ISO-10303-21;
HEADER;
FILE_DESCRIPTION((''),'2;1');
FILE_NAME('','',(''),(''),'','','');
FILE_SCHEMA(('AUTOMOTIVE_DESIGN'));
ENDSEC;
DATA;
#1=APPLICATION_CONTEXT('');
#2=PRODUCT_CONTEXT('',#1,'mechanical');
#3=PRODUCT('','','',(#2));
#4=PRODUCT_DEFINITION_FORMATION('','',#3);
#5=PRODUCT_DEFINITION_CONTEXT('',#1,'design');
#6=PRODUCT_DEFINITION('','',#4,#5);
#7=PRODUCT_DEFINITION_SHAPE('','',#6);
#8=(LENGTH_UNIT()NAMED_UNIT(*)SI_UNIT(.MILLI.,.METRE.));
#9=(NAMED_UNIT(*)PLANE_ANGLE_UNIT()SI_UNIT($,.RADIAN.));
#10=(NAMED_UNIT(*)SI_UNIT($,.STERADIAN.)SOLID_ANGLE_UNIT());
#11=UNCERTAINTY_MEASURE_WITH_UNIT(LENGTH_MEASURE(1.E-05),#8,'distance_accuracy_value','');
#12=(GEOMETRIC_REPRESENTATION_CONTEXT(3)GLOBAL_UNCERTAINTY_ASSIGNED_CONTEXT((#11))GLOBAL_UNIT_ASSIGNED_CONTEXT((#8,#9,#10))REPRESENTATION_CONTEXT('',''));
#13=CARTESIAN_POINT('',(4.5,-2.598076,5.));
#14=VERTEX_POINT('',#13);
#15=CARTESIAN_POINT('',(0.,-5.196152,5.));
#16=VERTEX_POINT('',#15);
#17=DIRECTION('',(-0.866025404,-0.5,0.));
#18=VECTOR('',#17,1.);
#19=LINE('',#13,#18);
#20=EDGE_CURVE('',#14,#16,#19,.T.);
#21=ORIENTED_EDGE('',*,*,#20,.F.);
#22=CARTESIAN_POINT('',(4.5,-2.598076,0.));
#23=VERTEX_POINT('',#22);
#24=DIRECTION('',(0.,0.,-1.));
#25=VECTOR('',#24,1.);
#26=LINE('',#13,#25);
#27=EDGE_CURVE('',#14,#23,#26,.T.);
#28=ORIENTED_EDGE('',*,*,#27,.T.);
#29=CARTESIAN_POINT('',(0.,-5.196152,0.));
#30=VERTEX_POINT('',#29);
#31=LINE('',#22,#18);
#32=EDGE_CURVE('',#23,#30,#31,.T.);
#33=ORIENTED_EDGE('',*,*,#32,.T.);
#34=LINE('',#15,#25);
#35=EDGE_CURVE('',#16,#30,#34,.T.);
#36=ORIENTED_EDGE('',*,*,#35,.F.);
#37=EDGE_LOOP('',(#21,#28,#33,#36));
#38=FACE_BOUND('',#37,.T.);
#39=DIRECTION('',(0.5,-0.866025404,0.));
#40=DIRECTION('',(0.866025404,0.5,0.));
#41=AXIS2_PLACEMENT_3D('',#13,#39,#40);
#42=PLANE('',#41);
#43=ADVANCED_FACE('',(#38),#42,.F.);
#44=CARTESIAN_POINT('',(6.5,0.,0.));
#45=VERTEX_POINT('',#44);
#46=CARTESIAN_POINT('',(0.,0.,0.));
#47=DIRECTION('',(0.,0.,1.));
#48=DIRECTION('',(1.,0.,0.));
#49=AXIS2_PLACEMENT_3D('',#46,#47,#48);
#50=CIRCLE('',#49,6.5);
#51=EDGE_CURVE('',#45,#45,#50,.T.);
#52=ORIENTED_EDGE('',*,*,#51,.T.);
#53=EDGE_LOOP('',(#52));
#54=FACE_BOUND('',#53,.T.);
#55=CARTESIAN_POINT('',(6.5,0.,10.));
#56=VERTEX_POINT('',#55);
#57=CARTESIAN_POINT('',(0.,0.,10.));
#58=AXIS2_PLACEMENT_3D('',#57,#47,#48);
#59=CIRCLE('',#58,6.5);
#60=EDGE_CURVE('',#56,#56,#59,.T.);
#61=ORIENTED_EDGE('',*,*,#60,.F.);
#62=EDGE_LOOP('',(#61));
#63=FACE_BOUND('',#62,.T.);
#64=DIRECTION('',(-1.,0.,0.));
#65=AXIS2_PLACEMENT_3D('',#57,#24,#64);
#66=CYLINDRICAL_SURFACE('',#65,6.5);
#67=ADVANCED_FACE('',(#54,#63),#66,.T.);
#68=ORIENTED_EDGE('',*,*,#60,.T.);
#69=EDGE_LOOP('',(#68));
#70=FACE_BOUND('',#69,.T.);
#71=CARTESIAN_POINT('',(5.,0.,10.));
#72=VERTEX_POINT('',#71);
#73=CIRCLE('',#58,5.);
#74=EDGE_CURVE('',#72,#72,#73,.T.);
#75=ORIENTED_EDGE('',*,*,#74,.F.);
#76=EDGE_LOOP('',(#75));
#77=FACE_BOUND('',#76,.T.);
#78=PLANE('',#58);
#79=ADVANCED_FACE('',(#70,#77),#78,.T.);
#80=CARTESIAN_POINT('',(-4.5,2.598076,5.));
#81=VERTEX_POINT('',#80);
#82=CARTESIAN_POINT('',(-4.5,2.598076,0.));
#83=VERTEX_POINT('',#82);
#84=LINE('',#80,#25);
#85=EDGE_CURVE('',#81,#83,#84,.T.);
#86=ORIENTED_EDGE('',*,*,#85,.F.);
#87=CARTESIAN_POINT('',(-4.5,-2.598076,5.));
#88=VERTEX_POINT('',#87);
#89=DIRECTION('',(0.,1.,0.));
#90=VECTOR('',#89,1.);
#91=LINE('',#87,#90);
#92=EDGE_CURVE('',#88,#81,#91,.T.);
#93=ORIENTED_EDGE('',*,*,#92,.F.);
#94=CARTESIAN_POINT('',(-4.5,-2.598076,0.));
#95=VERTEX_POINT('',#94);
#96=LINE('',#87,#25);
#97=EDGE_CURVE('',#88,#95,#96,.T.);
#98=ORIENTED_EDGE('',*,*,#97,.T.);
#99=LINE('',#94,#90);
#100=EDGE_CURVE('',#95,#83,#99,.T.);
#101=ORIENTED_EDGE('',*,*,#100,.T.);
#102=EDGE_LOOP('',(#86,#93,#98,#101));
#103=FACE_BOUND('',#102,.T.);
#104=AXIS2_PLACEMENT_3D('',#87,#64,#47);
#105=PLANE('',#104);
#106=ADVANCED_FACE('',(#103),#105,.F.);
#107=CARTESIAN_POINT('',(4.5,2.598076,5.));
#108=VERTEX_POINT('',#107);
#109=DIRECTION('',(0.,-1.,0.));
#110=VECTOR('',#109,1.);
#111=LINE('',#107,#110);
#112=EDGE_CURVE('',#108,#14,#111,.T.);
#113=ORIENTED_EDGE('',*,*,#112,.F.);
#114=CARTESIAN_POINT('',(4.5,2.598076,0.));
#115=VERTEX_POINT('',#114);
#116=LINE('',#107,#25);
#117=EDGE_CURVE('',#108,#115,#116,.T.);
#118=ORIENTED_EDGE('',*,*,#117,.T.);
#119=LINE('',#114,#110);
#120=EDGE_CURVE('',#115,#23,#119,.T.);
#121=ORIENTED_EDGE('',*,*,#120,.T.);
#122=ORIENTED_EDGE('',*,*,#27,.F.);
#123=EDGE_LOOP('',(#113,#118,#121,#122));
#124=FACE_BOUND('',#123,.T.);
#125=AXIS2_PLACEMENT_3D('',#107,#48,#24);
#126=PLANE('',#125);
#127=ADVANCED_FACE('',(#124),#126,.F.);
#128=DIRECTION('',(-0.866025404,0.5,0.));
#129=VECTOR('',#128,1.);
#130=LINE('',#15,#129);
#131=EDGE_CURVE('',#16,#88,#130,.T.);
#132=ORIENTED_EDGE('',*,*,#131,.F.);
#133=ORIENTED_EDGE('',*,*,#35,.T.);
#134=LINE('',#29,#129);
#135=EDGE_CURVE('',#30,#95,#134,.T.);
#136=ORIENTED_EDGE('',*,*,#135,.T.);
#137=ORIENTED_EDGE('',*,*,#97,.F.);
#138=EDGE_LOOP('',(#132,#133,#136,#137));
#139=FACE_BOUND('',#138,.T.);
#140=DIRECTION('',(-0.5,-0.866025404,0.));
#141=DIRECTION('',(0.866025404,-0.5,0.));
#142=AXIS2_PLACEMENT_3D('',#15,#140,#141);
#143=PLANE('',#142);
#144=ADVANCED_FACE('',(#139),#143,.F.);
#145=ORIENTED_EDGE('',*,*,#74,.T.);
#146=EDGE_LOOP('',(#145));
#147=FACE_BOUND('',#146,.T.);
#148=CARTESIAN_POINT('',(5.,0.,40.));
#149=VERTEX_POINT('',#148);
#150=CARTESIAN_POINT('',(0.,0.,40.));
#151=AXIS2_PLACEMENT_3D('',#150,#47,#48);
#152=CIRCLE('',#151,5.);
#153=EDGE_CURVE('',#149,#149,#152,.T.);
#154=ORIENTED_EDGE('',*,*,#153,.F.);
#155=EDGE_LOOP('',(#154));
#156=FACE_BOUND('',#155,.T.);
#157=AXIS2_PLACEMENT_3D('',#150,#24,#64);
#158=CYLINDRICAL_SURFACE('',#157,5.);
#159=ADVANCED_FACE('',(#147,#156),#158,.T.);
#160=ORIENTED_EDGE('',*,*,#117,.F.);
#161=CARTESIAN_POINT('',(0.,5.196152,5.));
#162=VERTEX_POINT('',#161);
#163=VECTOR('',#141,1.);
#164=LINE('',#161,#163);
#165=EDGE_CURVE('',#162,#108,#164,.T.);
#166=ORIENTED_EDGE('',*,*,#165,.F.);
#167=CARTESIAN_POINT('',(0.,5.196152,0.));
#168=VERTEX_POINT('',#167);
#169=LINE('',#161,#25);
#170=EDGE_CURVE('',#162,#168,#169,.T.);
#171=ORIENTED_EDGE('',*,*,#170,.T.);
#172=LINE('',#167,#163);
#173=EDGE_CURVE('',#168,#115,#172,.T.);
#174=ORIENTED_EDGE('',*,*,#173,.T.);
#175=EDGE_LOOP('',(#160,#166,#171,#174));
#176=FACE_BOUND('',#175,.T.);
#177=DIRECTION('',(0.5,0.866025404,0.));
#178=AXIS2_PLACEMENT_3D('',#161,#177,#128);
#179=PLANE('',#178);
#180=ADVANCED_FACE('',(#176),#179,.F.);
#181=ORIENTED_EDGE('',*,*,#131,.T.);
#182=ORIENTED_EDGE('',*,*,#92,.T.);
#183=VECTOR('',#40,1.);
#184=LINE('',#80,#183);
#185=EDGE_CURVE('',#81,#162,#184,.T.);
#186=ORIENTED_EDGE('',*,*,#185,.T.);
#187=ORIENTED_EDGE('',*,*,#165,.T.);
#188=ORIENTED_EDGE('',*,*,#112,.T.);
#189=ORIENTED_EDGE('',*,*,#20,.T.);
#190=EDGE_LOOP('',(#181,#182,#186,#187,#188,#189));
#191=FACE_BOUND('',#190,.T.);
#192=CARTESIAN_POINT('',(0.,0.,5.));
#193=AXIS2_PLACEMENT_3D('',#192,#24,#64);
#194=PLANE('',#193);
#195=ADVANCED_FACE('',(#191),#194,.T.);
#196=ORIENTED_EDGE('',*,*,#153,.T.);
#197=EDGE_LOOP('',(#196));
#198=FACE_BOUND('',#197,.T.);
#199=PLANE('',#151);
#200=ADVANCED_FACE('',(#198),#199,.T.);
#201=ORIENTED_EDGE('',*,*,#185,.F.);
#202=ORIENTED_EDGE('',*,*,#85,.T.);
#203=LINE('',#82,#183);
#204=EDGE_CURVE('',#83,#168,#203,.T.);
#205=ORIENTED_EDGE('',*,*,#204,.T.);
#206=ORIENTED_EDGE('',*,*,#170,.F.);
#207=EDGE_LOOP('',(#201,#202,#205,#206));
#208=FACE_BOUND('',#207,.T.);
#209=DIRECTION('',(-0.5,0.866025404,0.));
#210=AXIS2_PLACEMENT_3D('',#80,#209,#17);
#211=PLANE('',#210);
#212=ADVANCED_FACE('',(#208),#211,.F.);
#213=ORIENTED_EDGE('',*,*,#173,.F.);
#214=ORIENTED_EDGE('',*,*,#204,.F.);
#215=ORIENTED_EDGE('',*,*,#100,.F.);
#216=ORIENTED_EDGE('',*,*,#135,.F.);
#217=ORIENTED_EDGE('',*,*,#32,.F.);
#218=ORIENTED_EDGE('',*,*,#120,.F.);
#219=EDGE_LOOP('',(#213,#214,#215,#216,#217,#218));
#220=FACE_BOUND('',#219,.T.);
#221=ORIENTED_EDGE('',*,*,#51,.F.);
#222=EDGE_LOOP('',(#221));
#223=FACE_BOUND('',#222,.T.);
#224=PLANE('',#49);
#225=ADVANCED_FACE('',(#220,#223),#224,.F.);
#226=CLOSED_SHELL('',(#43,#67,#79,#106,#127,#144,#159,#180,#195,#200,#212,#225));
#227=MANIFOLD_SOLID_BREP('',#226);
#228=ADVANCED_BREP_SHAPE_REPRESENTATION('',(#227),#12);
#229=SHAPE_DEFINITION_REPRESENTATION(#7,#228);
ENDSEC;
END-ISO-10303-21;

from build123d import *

# Parameters (mm, degrees)
SKETCH1_R           = 6.5
BOSS_EXTRUDE1_DEPTH = 10
SKETCH2_R           = 5
BOSS_EXTRUDE2_DEPTH = 30
CUT_EXTRUDE1_DEPTH  = 5


with BuildPart() as part:
    # Sketch1 → Boss-Extrude1 (new body)
    with BuildSketch(Plane.XY):
        Circle(SKETCH1_R)
    extrude(amount=BOSS_EXTRUDE1_DEPTH)

    # Sketch2 → Boss-Extrude2 (add)
    with BuildSketch(Plane.XY.offset(10)):
        Circle(SKETCH2_R)
    extrude(amount=BOSS_EXTRUDE2_DEPTH)

    # Sketch3 → Cut-Extrude1 (cut)
    with BuildSketch(Plane(origin=(0, 0, 0), x_dir=(-1, 0, 0), z_dir=(0, 0, -1))):
        Polygon((4.5, 2.598076211), (0, 5.196152423), (-4.5, 2.598076211), (-4.5, -2.598076211), (0, -5.196152423), (4.5, -2.598076211), align=None)
    extrude(amount=-CUT_EXTRUDE1_DEPTH, mode=Mode.SUBTRACT)


solid = part.part
